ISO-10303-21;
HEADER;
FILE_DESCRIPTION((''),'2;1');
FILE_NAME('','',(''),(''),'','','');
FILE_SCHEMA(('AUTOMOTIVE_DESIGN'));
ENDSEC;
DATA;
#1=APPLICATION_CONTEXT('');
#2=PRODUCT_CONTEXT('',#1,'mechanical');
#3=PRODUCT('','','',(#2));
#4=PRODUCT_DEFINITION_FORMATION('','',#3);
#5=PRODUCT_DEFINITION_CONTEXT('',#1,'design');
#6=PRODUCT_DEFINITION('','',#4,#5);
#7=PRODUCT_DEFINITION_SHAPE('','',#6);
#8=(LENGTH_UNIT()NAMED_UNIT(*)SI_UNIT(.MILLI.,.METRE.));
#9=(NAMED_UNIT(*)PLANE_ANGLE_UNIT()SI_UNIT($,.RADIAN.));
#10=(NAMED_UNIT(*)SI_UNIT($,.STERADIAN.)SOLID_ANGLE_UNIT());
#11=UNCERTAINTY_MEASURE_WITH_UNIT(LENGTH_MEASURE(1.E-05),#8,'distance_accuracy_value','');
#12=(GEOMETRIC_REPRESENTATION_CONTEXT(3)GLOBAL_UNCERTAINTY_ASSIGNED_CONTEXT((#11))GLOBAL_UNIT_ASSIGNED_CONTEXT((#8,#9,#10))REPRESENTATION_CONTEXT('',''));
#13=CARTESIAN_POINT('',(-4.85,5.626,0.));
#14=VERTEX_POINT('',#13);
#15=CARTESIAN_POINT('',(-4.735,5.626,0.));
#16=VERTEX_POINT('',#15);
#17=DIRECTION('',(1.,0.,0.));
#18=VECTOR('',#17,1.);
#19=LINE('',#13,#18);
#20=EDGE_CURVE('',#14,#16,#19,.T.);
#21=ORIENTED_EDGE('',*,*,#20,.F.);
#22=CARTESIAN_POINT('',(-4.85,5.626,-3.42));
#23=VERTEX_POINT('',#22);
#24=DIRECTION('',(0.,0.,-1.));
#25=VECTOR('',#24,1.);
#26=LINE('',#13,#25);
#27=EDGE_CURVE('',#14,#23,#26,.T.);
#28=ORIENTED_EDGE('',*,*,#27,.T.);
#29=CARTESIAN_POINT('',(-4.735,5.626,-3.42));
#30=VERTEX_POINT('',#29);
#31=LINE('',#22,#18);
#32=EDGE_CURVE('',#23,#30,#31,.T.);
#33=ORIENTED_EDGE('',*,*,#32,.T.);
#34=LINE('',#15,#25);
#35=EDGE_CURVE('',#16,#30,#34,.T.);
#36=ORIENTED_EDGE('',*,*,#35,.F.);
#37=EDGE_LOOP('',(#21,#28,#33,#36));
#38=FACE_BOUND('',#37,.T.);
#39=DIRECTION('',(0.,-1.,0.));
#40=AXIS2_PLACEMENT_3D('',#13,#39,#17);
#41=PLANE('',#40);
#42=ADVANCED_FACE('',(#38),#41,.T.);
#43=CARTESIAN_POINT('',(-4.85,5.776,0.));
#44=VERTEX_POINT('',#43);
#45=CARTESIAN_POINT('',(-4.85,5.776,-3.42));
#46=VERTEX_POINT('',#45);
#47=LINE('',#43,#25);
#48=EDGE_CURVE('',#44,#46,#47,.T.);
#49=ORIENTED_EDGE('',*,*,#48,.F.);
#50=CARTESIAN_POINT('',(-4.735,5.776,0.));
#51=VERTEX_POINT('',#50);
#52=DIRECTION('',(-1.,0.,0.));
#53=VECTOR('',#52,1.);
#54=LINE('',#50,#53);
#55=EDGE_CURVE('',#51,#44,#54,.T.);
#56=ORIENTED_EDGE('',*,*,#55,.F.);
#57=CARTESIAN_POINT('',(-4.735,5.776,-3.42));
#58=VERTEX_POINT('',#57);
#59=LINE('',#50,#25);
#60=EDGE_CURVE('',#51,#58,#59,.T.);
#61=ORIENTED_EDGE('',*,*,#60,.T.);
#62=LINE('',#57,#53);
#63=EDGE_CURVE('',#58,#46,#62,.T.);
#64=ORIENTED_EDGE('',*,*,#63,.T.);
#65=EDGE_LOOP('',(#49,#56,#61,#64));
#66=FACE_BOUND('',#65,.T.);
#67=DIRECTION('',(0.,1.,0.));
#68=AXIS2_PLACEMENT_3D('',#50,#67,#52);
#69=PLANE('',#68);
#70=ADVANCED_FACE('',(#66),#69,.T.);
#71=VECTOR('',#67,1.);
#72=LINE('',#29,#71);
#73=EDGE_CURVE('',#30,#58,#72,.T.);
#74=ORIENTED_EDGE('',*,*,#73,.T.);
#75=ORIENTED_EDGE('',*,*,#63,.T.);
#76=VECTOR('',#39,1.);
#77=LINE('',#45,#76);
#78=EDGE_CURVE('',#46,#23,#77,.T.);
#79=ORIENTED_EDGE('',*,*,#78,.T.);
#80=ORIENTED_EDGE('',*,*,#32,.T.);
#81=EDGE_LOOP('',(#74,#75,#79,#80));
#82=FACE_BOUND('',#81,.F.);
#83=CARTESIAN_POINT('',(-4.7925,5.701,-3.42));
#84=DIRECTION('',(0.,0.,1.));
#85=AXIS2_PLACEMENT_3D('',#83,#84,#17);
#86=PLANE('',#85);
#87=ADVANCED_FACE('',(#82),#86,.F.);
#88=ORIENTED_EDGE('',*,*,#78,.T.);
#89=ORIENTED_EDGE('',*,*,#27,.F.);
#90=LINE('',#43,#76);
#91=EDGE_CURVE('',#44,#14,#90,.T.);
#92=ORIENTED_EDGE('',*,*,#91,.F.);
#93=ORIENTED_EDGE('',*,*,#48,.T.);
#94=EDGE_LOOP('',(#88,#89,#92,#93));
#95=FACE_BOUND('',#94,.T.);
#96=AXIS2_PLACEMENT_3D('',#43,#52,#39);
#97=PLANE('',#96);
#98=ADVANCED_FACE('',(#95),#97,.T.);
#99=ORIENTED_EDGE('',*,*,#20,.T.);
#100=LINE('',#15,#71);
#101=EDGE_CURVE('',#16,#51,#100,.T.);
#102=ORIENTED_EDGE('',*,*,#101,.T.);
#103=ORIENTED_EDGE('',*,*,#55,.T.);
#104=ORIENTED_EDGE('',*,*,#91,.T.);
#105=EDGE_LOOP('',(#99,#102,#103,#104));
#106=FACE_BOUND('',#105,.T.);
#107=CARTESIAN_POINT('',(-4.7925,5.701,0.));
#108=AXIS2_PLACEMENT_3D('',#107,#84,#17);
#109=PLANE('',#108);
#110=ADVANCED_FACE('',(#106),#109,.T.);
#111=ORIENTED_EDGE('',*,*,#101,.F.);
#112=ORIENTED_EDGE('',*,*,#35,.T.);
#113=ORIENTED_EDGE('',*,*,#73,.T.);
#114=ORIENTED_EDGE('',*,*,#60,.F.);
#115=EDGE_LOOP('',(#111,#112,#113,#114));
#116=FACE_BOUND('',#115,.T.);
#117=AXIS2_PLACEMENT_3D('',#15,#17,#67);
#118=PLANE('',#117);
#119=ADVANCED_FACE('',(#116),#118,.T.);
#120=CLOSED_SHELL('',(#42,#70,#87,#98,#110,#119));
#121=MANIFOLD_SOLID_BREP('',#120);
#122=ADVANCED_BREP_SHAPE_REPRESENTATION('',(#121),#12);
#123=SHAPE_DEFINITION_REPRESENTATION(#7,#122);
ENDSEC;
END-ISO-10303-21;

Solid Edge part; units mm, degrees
sketch "Sketch1" plane through (0, 0, 0) normal (0, 0, 1) x (1, 0, 0)
  line L0 (-4.85, 5.776) -> (-4.85, 5.626)
  line L1 (-4.85, 5.626) -> (-4.735, 5.626)
  line L2 (-4.735, 5.626) -> (-4.735, 5.776)
  line L3 (-4.735, 5.776) -> (-4.85, 5.776)
  dimension "D1" = 0.15
  dimension "D2" = 0.115
extrude "Protrusion1" add sketch "Sketch1" against normal blind 3.42
